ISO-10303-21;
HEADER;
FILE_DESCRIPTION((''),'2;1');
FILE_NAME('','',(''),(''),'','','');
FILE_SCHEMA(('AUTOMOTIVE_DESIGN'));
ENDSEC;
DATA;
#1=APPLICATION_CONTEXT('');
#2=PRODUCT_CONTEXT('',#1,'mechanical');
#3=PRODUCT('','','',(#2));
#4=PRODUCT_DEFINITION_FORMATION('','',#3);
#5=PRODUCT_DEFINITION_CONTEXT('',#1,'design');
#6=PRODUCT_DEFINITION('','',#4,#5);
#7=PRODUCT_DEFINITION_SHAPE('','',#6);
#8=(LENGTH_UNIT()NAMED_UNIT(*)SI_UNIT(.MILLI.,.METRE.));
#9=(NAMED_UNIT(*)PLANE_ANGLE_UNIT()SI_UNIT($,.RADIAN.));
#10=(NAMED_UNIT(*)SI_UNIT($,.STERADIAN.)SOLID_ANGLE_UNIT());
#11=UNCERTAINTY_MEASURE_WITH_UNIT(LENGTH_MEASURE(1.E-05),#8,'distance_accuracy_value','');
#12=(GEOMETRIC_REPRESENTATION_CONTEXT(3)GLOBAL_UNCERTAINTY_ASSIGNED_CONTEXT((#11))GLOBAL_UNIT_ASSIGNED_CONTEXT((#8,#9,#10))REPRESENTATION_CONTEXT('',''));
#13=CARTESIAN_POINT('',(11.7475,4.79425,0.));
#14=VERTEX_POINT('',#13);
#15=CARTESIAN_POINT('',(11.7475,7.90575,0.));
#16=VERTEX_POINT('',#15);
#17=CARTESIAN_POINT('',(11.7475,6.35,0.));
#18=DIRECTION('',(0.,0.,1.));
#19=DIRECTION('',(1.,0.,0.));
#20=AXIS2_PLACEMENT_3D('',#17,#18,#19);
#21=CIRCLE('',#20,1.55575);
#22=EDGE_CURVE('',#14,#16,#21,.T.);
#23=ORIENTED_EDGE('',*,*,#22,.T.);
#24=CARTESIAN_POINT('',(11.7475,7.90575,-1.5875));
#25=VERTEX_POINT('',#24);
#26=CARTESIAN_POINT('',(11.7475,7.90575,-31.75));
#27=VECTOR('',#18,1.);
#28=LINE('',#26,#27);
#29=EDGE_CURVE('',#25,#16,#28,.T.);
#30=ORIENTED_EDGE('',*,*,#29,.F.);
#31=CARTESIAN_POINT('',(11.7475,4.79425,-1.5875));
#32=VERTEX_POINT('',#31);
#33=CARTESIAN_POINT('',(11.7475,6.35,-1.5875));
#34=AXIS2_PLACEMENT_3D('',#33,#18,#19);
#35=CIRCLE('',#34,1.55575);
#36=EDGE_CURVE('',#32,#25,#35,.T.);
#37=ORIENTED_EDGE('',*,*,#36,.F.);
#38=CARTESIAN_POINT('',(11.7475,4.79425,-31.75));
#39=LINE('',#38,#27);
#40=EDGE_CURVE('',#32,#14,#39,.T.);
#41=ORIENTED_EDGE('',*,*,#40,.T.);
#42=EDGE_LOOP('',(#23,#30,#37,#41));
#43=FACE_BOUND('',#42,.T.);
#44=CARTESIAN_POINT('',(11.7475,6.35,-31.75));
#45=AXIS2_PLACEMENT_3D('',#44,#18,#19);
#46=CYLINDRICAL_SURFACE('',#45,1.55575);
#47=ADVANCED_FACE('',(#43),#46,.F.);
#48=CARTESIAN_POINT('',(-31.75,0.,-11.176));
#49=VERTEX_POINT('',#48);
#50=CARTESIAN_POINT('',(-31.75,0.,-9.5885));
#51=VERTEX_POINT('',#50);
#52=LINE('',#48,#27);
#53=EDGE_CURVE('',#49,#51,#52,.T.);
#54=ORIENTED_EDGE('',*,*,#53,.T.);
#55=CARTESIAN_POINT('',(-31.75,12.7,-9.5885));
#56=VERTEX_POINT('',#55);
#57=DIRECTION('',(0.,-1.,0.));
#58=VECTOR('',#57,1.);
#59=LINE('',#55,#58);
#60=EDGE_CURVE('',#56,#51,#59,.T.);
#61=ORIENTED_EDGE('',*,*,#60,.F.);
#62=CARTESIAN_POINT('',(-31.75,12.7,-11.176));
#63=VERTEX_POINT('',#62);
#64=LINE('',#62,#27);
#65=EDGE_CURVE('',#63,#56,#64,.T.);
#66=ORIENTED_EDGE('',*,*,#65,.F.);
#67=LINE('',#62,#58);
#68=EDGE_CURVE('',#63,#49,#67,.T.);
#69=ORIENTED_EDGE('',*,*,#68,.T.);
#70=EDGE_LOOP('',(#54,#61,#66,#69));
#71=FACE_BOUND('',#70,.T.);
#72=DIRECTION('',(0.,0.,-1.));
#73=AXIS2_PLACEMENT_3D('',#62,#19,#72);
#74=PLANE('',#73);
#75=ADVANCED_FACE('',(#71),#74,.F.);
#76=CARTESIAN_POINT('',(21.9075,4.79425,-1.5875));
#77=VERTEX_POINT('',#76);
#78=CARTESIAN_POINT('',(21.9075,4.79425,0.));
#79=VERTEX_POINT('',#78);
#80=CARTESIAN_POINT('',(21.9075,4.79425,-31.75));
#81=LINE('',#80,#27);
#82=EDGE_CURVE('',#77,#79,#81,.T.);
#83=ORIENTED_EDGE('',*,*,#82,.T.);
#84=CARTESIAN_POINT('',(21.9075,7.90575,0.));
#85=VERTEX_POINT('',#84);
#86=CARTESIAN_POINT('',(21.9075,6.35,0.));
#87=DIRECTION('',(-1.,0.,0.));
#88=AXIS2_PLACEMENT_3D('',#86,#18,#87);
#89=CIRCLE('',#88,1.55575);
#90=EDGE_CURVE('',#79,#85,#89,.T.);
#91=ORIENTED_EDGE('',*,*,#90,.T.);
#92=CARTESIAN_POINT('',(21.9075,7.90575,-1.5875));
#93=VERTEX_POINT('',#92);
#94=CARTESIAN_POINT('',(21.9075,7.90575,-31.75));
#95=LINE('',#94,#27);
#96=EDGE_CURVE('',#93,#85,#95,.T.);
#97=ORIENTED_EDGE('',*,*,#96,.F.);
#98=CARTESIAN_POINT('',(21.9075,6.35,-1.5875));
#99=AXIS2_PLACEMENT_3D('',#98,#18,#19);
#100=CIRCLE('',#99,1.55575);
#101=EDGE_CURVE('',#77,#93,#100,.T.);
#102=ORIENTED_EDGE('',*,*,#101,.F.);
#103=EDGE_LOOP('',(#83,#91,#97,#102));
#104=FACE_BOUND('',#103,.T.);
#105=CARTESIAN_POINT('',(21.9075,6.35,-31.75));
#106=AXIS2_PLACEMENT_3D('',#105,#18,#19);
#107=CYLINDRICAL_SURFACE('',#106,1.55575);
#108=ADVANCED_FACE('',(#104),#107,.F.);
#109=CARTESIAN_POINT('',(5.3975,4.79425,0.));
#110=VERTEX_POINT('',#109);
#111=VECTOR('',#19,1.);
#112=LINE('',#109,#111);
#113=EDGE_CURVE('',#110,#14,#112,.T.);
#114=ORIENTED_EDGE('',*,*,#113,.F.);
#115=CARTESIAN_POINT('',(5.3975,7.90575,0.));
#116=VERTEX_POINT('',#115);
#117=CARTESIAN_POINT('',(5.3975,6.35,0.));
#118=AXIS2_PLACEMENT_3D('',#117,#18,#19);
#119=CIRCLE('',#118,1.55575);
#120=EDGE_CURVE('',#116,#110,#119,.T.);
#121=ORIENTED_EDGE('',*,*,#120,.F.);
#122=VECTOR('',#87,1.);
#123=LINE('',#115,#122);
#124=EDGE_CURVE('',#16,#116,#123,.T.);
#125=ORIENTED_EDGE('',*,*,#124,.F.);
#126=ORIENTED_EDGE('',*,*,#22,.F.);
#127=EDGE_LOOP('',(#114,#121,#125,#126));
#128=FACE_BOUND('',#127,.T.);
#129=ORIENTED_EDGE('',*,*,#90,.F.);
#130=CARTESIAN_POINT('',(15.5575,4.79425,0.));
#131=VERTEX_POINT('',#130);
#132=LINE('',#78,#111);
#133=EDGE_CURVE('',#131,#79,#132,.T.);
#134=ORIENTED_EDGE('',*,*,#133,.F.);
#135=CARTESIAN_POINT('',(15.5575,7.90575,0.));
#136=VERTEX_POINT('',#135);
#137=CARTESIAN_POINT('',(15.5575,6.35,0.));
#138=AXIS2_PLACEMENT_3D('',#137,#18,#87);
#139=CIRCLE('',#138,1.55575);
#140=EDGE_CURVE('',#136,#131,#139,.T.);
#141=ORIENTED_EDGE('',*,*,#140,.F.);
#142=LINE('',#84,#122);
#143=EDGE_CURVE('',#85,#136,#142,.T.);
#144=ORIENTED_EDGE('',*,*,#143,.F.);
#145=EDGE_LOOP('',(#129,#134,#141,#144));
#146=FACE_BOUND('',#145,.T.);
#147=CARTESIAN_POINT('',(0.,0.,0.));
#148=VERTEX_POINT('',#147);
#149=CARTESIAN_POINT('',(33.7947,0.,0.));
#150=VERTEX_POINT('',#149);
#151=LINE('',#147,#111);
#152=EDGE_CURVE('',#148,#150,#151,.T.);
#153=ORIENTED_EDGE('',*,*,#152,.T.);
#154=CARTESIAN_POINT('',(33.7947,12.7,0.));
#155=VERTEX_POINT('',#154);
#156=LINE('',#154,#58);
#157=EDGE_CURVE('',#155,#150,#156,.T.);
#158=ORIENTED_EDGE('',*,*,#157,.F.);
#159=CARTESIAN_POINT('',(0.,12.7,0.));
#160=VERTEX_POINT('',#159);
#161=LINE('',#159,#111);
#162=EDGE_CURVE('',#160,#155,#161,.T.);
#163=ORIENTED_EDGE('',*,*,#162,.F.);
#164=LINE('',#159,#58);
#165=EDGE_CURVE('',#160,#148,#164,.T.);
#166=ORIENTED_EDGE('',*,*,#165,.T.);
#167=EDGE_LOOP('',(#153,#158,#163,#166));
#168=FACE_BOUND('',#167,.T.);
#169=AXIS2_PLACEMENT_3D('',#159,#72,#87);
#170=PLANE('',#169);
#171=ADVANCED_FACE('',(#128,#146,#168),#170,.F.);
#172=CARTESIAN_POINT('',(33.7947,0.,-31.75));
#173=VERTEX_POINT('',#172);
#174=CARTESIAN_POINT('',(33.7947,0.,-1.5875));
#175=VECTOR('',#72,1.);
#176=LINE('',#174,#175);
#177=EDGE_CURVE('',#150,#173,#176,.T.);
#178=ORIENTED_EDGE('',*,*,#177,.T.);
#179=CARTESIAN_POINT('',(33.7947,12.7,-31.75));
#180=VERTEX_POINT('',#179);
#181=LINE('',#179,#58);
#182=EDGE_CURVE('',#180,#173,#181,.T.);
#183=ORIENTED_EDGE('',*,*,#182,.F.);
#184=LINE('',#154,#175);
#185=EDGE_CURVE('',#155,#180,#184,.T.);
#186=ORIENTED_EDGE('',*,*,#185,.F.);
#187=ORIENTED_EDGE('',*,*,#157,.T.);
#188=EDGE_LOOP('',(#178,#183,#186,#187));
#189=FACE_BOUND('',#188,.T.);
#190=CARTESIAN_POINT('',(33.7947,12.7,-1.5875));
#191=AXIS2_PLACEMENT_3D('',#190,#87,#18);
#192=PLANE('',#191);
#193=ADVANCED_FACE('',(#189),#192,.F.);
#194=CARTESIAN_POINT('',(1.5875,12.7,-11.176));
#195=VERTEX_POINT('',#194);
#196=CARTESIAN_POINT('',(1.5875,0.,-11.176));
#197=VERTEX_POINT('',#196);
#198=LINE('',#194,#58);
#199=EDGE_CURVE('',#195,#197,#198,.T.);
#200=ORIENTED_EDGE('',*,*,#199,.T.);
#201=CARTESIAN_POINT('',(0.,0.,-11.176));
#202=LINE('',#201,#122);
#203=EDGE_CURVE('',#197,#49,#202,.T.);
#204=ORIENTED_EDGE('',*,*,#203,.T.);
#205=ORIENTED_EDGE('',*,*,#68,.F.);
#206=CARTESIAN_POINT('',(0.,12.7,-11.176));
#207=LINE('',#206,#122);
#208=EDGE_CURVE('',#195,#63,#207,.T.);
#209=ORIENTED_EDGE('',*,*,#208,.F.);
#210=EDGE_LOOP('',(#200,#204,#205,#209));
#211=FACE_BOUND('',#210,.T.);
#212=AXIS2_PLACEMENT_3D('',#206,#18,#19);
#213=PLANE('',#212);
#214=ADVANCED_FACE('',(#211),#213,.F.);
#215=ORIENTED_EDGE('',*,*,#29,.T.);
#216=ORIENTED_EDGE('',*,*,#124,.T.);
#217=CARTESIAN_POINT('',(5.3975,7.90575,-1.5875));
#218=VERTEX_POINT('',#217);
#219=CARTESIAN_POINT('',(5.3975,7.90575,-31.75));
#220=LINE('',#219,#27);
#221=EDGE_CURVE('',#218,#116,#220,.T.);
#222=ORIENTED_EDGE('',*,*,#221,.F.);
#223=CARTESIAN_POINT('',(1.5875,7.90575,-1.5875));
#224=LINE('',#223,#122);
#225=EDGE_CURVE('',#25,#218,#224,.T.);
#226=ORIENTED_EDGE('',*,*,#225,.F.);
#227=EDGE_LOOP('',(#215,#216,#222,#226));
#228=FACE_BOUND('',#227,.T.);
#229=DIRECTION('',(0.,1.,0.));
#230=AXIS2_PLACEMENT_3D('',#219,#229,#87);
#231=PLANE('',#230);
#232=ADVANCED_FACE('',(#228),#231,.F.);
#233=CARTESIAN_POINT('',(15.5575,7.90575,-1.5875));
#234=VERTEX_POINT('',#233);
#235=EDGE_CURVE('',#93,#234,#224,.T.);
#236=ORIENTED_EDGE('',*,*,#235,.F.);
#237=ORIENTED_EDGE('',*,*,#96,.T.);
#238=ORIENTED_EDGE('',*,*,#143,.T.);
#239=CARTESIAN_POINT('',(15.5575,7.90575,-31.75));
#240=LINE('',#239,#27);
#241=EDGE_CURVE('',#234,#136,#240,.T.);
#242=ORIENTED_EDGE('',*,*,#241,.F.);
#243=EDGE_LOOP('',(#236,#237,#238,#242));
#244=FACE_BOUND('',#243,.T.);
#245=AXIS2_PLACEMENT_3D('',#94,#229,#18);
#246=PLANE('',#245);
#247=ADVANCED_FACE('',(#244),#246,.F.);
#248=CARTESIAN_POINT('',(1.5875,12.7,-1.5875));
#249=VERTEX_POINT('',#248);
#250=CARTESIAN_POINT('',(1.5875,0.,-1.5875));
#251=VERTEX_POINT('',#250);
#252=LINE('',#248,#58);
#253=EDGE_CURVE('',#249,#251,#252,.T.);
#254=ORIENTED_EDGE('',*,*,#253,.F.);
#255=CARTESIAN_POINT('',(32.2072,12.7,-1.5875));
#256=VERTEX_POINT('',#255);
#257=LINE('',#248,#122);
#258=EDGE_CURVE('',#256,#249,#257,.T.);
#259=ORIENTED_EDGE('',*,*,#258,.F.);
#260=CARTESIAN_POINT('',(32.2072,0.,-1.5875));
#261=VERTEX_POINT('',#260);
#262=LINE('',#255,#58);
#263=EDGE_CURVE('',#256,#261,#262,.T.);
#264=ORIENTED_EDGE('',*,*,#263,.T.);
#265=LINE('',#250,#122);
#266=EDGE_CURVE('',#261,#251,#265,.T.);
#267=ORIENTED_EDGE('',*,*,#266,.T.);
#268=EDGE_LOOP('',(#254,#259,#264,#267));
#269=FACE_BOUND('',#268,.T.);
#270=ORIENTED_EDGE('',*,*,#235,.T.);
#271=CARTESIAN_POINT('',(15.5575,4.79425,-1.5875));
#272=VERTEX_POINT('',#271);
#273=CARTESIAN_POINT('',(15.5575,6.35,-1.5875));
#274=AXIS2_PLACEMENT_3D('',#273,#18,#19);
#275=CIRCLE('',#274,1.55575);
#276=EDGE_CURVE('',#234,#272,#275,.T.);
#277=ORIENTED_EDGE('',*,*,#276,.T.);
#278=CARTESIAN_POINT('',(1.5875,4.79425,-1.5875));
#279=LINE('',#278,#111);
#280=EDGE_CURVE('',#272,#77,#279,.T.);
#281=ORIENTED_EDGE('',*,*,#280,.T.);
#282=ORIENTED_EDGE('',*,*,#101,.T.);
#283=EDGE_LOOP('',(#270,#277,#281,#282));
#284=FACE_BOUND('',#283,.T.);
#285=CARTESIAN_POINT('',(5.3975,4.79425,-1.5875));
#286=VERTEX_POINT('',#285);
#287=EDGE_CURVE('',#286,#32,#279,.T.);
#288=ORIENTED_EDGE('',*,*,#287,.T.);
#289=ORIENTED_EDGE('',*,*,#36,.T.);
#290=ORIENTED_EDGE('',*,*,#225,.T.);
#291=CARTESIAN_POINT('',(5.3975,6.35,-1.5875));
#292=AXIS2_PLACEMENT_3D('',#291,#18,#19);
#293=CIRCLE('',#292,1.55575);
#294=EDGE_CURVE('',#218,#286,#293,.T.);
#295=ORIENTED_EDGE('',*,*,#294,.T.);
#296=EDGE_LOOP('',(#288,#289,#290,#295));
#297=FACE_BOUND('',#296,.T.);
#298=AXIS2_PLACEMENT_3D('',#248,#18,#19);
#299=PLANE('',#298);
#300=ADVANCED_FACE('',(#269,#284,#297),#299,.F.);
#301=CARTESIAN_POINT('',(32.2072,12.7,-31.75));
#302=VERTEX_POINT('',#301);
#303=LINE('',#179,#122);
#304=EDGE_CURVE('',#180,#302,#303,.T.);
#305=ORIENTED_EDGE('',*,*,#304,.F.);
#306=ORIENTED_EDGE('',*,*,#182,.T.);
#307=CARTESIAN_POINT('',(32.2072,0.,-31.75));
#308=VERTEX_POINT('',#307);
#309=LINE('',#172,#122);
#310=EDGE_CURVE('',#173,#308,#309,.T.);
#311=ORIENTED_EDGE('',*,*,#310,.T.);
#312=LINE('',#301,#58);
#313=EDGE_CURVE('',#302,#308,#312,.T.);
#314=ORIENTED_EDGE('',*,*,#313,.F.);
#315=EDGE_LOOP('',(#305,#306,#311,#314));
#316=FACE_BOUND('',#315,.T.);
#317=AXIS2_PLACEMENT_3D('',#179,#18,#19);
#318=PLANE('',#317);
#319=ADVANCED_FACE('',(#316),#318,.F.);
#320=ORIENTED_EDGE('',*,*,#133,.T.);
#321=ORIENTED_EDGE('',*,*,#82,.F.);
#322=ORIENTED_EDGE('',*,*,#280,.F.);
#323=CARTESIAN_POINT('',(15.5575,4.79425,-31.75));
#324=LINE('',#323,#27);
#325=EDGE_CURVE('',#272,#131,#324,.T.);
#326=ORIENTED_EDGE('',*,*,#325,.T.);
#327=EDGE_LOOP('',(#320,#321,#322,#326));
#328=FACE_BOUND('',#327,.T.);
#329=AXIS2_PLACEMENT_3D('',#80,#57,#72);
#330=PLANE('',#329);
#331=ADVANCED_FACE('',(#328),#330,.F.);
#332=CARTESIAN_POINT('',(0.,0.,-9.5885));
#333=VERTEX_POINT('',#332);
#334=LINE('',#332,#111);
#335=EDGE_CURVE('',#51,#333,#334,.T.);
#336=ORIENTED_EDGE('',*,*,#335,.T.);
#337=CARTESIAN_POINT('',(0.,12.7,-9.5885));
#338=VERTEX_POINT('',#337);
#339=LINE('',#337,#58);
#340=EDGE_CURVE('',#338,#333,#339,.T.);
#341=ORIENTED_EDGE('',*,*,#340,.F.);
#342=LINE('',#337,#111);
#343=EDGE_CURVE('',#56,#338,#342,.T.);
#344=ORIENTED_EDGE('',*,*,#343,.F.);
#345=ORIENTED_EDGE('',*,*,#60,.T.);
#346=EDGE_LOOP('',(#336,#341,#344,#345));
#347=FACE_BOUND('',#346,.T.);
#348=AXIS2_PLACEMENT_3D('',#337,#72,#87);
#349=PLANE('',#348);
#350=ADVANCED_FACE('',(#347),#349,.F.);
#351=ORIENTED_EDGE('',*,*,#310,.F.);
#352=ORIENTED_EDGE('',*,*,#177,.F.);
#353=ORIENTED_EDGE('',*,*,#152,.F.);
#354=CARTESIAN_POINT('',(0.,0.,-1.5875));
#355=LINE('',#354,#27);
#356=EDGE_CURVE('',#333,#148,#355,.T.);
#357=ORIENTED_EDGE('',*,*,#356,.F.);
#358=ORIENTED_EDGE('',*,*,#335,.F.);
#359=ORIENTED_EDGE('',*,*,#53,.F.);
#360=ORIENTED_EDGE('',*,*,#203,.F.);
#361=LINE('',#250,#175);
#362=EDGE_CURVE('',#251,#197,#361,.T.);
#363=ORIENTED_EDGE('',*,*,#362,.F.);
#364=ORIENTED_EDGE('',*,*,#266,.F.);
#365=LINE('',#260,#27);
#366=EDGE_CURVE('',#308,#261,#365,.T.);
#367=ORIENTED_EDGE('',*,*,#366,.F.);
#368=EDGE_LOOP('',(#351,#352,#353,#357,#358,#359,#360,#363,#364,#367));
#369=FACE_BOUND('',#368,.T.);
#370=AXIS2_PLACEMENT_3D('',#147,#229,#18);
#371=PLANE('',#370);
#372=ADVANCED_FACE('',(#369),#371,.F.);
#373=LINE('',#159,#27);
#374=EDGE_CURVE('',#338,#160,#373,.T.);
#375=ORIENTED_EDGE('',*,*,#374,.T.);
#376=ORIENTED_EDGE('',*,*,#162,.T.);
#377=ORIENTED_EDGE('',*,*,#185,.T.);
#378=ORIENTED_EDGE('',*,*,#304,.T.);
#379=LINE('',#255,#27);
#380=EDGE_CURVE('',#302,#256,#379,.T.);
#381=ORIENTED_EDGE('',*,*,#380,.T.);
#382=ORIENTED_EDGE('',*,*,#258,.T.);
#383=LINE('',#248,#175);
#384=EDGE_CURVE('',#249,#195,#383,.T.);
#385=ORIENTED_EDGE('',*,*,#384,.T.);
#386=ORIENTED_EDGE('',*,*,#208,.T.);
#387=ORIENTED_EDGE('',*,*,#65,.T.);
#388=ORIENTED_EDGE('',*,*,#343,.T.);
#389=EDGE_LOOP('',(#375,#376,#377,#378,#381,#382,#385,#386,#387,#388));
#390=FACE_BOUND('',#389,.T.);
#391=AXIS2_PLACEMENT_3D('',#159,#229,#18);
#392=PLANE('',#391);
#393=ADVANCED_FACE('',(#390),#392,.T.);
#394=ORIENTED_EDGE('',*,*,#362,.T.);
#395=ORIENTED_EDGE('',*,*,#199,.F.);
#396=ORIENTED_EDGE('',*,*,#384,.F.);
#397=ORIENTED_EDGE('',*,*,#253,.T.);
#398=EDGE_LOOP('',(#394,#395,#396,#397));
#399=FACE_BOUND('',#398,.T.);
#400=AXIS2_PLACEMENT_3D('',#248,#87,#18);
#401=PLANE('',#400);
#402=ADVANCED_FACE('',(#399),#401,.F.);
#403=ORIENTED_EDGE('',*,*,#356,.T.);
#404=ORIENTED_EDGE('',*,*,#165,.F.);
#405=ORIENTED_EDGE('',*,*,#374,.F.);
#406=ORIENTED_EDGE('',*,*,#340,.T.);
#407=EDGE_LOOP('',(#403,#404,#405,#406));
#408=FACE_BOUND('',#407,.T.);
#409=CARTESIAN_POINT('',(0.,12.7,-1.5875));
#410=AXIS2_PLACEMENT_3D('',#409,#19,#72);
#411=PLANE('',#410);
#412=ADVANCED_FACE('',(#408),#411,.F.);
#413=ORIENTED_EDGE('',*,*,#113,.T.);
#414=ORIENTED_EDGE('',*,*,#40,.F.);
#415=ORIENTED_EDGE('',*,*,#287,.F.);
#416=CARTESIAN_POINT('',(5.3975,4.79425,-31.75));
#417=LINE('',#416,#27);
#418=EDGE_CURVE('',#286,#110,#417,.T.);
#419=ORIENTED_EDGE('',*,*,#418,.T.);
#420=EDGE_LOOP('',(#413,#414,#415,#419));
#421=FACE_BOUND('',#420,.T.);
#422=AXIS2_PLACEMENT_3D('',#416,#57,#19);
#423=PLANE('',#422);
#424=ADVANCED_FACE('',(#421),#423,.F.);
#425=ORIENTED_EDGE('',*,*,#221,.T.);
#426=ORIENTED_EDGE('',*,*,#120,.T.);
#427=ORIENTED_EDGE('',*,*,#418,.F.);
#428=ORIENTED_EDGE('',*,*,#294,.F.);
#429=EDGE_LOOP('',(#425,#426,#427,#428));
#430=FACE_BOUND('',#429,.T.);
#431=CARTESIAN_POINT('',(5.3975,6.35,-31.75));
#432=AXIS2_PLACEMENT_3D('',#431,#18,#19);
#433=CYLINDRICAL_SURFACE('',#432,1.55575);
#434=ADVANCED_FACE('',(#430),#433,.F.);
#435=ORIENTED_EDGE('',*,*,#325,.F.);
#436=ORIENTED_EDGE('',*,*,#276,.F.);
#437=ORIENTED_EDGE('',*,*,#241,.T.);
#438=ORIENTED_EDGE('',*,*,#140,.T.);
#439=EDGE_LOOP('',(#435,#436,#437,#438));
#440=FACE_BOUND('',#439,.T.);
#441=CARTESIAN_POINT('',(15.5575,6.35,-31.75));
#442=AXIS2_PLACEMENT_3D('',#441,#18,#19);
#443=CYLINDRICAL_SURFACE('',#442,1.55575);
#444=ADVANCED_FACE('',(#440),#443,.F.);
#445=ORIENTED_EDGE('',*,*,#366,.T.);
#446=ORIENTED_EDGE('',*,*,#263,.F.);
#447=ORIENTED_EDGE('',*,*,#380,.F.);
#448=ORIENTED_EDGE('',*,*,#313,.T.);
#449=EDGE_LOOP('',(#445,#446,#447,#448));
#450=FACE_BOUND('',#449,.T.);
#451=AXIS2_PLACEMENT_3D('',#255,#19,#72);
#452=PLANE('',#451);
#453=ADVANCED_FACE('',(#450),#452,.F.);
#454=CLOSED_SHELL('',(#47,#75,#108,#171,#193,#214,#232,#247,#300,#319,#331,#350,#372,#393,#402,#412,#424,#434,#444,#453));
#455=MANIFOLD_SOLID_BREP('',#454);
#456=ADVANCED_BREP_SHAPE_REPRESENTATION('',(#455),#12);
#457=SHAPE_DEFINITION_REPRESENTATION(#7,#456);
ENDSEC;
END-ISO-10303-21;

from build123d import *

# Parameters (mm, degrees)
BOSS_EXTRUDE1_DEPTH = 12.7
CUT_EXTRUDE1_DEPTH  = 32.75


with BuildPart() as part:
    # Sketch1 → Boss-Extrude1 (new body)
    with BuildSketch(Plane(origin=(0, 0, 0), x_dir=(1, 0, 0), z_dir=(0, 1, 0))):
        Polygon((0, 0), (33.7947, 0), (33.7947, 1.5875), (33.7947, 31.75), (32.2072, 31.75), (32.2072, 1.5875), (1.5875, 1.5875), (1.5875, 11.176), (0, 11.176), (-31.75, 11.176), (-31.75, 9.5885), (0, 9.5885), (0, 1.5875), align=None)
    extrude(amount=BOSS_EXTRUDE1_DEPTH)

    # Sketch2 → Cut-Extrude1 (cut, through all)
    with BuildSketch(Plane.XY):
        with BuildLine():
            Line((5.3975, 7.90575), (11.7475, 7.90575))
            ThreePointArc((11.7475, 7.90575), (13.30325, 6.35), (11.7475, 4.79425))
            Line((11.7475, 4.79425), (5.3975, 4.79425))
            ThreePointArc((5.3975, 4.79425), (3.84175, 6.35), (5.3975, 7.90575))
        make_face()
        with BuildLine():
            Line((21.9075, 7.90575), (15.5575, 7.90575))
            ThreePointArc((15.5575, 7.90575), (14.00175, 6.35), (15.5575, 4.79425))
            Line((15.5575, 4.79425), (21.9075, 4.79425))
            ThreePointArc((21.9075, 4.79425), (23.46325, 6.35), (21.9075, 7.90575))
        make_face()
    extrude(amount=-CUT_EXTRUDE1_DEPTH, mode=Mode.SUBTRACT)


solid = part.part
